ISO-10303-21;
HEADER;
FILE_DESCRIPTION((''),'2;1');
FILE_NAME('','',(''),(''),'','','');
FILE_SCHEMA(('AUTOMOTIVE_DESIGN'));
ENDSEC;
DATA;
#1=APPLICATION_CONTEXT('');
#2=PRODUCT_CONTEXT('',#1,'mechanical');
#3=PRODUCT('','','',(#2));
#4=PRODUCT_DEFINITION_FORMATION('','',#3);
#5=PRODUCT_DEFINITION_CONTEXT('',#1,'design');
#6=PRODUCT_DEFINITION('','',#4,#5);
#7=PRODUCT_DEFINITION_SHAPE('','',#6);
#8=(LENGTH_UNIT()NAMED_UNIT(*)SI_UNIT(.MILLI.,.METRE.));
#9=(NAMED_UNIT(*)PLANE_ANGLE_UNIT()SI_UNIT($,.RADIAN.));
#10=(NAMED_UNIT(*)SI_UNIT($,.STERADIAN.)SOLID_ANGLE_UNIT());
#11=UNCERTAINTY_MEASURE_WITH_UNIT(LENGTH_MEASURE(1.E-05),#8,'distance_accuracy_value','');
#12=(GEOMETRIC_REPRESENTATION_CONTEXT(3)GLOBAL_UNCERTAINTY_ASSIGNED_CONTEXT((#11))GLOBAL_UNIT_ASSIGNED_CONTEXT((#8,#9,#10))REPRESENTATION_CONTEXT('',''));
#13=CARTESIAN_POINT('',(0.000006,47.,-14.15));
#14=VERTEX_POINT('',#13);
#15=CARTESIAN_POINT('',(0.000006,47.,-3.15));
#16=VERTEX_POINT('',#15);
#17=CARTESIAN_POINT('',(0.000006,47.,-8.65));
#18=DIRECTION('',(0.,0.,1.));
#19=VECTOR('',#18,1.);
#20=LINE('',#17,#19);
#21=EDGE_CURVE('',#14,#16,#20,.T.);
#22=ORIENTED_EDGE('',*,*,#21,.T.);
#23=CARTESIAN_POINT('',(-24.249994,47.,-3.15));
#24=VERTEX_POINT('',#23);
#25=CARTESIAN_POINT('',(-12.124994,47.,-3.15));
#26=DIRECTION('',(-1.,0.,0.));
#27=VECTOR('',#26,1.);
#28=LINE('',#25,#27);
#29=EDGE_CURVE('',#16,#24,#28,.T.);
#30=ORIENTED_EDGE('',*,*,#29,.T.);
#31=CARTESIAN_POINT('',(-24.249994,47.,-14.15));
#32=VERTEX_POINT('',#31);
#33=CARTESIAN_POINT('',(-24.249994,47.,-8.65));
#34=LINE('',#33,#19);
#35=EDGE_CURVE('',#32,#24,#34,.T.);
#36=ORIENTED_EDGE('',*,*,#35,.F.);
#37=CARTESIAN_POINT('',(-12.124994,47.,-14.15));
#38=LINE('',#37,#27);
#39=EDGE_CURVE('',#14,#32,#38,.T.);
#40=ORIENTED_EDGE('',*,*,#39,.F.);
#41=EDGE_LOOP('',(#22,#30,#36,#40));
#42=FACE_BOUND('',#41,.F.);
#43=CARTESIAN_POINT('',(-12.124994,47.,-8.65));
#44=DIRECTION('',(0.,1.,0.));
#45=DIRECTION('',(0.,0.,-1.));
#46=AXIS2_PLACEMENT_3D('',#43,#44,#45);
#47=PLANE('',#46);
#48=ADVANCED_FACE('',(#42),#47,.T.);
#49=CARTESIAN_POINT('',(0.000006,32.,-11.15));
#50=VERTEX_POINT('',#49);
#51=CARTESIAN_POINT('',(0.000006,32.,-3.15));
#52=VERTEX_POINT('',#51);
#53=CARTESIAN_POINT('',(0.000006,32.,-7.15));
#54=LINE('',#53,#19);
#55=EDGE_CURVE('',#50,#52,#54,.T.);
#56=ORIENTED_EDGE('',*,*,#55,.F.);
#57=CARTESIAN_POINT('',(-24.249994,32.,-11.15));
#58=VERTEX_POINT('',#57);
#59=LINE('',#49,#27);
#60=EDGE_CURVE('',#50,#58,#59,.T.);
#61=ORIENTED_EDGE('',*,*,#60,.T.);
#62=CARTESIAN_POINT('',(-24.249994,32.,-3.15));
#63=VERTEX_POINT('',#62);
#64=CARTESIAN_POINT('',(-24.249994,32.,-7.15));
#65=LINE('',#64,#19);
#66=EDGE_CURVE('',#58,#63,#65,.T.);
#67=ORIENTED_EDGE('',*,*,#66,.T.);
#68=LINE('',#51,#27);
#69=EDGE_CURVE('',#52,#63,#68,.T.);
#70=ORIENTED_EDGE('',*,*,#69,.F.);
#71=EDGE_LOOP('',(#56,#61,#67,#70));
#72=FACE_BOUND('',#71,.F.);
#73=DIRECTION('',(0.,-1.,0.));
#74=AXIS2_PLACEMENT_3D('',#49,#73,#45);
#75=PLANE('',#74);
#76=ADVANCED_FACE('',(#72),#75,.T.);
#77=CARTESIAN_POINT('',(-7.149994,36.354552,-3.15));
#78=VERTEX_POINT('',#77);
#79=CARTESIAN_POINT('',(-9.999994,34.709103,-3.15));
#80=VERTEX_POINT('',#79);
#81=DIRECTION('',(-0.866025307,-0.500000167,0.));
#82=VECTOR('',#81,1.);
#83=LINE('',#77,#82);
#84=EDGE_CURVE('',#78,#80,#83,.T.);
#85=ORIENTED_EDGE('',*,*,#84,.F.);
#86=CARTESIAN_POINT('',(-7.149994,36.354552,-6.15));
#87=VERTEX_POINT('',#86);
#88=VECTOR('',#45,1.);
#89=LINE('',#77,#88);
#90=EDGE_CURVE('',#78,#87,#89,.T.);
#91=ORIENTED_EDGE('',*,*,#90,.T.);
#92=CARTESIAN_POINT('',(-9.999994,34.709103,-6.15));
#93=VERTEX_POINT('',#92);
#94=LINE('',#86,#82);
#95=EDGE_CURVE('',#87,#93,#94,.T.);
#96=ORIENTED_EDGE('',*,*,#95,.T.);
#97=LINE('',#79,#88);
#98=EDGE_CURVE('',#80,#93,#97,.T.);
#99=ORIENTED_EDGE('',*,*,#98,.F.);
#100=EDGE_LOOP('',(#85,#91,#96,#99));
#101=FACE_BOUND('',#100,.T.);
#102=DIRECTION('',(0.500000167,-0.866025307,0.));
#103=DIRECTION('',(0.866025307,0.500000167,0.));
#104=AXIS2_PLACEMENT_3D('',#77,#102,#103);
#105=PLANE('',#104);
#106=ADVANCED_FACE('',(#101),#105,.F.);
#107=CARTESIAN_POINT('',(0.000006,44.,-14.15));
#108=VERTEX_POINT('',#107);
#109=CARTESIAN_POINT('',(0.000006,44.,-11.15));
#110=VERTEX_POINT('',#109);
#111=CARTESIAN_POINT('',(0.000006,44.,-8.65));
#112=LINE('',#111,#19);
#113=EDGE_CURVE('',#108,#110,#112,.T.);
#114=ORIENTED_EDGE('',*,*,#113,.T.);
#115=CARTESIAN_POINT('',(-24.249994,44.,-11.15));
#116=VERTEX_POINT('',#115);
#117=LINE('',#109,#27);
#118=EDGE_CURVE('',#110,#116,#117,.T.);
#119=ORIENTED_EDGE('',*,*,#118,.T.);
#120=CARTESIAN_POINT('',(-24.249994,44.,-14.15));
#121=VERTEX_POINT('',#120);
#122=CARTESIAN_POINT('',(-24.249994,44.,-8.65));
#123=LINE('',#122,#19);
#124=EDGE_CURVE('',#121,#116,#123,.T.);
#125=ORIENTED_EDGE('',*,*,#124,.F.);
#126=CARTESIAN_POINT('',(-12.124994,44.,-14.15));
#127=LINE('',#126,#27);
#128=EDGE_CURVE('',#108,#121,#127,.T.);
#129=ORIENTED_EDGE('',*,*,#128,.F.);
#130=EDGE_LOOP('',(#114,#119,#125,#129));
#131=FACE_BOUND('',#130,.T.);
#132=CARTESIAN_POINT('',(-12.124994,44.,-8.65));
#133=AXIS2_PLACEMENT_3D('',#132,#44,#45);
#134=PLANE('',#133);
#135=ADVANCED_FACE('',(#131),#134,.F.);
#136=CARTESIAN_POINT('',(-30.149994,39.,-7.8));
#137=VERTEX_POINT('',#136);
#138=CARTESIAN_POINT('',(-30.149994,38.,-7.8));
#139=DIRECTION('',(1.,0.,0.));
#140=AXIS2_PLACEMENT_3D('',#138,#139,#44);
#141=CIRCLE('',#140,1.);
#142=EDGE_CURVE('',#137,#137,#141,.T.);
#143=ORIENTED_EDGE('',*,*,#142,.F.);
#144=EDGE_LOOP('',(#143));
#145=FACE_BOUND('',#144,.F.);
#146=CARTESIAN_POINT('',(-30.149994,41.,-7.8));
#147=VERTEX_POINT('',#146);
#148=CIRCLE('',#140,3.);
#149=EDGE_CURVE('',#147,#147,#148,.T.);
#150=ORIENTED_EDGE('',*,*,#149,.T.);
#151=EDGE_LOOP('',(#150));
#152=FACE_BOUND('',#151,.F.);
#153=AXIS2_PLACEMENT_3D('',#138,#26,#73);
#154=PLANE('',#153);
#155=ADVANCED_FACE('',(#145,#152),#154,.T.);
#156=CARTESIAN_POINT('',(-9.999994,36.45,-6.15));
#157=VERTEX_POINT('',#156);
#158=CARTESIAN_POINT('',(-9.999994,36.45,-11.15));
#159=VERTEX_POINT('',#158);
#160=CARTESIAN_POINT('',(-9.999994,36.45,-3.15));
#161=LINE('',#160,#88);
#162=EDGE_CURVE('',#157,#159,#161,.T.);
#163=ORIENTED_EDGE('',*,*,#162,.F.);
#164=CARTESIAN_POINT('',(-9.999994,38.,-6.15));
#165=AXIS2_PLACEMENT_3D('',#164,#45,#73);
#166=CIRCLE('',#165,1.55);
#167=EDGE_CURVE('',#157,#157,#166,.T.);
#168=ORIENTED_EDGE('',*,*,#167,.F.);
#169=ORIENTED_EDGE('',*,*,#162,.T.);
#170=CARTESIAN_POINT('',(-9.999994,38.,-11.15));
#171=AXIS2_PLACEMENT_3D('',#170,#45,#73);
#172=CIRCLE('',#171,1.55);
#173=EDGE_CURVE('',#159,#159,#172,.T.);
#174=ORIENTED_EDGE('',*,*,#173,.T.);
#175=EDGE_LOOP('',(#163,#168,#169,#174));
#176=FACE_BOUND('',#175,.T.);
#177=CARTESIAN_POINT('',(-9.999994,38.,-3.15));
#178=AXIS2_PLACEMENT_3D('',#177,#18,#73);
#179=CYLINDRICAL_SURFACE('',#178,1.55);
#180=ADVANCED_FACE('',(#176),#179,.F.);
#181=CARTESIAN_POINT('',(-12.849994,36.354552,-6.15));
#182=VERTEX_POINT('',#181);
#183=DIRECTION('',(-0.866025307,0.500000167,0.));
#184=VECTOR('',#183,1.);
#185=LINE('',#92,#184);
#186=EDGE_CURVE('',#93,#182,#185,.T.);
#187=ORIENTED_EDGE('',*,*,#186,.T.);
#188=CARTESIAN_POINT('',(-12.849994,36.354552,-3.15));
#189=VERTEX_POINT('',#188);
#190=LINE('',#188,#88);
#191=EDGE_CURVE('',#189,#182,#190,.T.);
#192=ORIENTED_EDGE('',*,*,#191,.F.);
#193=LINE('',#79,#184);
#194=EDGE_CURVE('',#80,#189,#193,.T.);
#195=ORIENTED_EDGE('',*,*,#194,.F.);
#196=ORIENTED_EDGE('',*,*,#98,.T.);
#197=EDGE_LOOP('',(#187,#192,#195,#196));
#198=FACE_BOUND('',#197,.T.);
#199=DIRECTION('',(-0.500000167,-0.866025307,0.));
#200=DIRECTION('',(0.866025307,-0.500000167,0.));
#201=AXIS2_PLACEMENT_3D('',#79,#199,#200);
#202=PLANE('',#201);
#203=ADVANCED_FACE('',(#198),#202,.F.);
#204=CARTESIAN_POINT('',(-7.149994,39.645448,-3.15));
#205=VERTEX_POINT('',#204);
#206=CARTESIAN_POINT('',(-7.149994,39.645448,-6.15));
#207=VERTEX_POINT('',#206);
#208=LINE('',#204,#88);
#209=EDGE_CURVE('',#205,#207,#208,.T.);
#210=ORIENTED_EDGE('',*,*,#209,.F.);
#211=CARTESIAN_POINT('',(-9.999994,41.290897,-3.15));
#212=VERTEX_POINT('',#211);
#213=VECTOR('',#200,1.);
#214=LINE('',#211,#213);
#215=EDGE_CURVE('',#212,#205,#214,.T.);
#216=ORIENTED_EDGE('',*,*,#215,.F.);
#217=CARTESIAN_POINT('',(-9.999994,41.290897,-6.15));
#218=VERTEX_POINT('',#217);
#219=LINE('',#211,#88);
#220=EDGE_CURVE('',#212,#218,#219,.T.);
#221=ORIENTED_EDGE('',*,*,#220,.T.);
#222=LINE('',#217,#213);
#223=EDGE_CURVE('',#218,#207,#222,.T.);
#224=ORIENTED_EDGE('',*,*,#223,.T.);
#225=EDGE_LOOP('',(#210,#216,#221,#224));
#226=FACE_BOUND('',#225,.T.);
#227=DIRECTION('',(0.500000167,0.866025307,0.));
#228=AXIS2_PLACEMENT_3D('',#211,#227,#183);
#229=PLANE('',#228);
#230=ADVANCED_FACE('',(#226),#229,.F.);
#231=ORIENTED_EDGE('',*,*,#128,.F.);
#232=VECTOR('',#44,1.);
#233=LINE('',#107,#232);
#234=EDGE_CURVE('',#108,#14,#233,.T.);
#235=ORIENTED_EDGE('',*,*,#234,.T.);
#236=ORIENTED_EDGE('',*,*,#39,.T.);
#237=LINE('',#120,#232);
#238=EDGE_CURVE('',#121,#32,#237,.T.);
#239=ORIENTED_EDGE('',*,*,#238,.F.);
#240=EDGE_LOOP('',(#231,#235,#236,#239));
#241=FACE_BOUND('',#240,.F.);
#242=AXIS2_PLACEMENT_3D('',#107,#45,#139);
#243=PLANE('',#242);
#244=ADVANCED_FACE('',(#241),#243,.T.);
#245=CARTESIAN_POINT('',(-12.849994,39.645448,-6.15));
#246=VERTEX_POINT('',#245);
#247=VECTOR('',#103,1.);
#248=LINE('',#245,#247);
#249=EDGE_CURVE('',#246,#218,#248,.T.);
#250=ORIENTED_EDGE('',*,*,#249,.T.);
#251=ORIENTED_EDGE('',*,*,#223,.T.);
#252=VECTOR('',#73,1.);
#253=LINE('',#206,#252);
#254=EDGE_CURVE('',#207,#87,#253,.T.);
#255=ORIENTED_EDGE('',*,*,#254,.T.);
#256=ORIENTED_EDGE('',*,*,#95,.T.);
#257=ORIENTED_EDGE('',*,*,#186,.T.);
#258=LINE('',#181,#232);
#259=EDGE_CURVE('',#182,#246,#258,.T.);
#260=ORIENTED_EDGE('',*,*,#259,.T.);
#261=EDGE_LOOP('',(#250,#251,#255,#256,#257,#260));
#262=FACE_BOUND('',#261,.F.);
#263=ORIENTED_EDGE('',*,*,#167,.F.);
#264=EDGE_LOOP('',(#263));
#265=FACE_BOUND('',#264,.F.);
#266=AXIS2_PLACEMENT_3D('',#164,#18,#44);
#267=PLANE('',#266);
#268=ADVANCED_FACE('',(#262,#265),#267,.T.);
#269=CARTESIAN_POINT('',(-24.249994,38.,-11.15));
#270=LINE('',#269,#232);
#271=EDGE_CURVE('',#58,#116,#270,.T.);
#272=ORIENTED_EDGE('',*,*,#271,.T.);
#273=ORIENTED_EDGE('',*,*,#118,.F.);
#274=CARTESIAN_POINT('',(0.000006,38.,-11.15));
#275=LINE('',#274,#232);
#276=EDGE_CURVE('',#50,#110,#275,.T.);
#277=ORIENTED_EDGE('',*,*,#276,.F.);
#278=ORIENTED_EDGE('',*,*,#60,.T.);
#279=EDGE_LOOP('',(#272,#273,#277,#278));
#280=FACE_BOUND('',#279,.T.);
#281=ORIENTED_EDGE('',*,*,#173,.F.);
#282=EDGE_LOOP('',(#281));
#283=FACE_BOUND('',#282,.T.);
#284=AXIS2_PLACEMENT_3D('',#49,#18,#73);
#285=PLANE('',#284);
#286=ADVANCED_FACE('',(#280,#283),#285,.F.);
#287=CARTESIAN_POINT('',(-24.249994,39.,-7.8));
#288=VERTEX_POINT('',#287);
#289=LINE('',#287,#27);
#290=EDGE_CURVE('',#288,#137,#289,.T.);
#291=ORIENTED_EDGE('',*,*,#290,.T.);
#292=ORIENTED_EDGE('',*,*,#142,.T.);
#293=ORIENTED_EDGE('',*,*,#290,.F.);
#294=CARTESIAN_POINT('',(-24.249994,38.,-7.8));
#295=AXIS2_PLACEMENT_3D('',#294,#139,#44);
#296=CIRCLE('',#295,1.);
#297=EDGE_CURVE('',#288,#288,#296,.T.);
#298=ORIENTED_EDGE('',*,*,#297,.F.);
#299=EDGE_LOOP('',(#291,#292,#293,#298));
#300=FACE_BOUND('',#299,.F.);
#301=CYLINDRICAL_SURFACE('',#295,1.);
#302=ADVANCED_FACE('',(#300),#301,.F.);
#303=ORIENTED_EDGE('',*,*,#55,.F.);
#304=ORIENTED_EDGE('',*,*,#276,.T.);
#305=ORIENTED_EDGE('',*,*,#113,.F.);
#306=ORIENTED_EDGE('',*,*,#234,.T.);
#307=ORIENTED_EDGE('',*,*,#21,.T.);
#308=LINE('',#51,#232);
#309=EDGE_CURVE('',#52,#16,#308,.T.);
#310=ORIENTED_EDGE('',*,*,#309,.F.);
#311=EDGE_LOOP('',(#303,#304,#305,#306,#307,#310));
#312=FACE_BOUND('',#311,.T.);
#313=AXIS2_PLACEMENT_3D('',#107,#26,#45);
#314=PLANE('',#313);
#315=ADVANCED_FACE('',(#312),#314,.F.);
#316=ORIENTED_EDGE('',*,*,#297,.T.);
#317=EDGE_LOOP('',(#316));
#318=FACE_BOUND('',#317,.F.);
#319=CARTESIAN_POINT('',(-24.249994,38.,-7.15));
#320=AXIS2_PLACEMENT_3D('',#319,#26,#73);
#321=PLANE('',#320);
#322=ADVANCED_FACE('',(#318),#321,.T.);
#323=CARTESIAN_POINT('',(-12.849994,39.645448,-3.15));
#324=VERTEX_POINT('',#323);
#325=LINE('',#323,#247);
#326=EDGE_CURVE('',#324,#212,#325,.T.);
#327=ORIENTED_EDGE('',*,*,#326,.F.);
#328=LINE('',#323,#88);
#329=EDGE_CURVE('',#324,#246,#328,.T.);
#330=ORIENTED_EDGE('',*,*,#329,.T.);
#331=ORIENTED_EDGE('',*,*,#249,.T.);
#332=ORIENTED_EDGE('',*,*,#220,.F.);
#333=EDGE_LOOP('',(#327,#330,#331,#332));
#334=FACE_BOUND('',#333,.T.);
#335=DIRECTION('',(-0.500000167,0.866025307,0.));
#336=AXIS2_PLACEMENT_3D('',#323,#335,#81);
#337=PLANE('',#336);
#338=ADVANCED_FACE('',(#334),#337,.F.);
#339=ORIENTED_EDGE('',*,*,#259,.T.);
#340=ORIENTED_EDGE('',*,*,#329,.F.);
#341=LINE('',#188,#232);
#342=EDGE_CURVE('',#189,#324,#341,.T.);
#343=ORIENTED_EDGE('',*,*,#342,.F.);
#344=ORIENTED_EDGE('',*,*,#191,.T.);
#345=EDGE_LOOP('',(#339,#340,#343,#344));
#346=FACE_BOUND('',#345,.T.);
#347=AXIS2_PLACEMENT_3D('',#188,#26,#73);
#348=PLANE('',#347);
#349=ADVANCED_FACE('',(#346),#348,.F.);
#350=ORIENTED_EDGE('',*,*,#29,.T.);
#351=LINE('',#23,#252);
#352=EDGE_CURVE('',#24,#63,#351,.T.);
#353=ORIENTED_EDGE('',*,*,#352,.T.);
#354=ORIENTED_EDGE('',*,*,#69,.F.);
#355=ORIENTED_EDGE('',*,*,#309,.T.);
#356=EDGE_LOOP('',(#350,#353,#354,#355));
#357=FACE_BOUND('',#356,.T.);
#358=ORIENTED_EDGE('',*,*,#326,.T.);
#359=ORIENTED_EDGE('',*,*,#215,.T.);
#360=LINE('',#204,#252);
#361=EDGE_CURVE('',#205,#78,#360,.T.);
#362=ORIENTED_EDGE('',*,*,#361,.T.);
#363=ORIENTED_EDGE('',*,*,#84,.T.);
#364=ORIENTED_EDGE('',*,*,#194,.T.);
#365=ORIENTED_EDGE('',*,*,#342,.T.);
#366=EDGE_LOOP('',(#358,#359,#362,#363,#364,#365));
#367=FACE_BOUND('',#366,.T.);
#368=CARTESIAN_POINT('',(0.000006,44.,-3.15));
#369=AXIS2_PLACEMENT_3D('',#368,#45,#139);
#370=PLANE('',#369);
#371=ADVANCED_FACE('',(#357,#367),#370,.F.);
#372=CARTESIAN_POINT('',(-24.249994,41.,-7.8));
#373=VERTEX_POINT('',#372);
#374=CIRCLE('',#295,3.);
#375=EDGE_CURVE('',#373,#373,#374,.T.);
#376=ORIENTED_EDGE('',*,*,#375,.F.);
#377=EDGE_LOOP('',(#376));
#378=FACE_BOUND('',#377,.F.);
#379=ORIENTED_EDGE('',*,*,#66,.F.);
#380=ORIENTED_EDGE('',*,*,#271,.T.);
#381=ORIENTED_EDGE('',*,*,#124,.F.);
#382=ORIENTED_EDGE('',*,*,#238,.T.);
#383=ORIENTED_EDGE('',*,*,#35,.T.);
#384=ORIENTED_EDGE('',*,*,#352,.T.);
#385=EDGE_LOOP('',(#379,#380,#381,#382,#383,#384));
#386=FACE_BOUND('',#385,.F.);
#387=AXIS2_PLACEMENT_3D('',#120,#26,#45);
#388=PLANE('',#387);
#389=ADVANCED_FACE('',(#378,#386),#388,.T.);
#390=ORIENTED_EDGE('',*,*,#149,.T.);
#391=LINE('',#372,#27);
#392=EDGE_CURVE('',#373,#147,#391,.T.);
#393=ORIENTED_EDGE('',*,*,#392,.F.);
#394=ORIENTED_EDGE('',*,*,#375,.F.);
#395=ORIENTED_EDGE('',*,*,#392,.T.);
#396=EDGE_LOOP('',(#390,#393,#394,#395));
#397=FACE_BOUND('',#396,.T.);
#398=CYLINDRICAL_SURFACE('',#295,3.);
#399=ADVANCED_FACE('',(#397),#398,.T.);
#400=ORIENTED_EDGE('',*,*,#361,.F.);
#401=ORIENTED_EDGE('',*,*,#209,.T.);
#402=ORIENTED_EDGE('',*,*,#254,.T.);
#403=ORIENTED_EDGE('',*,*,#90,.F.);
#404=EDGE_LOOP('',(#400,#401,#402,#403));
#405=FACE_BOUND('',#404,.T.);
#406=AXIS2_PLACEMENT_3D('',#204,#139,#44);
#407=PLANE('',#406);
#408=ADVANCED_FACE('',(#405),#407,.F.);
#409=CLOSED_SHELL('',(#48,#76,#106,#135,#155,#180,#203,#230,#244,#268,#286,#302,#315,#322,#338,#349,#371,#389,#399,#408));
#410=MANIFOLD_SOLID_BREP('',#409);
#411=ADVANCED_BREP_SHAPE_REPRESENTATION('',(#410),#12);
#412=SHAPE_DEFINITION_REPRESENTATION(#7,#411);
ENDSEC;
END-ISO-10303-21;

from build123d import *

# Parameters (mm, degrees)
SKETCH068_W     = 12
SKETCH068_H     = 8
PAD060_DEPTH    = 24.25
SKETCH069_R     = 3
SKETCH069_R_2   = 1
PAD061_DEPTH    = 5.9
SKETCH071_R     = 1.55
POCKET_DEPTH    = 8.001
POCKET001_DEPTH = 3
SKETCH072_W     = 11
SKETCH072_H     = 24.25
PAD062_DEPTH    = 3


with BuildPart() as front_axle_right:
    # Sketch068 → Pad060 (new body)
    with BuildSketch(Plane.YZ):
        with Locations((38, -7.15)):
            Rectangle(SKETCH068_W, SKETCH068_H)
    extrude(amount=PAD060_DEPTH)

    # Sketch069 (on Face6 of Pad060) → Pad061 (join)
    with BuildSketch(Plane.YZ.offset(24.25)):
        with Locations((38, -7.8)):
            Circle(SKETCH069_R)
        with Locations((38, -7.8)):
            Circle(SKETCH069_R_2, mode=Mode.SUBTRACT)
    extrude(amount=PAD061_DEPTH)

    # Sketch071 (on Face1 of Pad061) → Pocket (cut, through all)
    with BuildSketch(Plane(origin=(0, 0, -3.15), x_dir=(0, -1, 0), z_dir=(0, 0, 1))):
        with Locations((-38, 10)):
            Circle(SKETCH071_R)
    extrude(amount=-POCKET_DEPTH, mode=Mode.SUBTRACT)

    # Sketch070 (on Face1 of Pocket) → Pocket001 (cut)
    with BuildSketch(Plane(origin=(0, 0, -3.15), x_dir=(0, -1, 0), z_dir=(0, 0, 1))):
        Polygon((-34.709103, 10), (-36.354552, 12.85), (-39.645448, 12.85), (-41.290897, 10), (-39.645448, 7.15), (-36.354552, 7.15), align=None)
    extrude(amount=-POCKET001_DEPTH, mode=Mode.SUBTRACT)

    # Sketch072 (on Face5 of Pocket001) → Pad062 (join)
    with BuildSketch(Plane.ZX.offset(44)):
        with Locations((-8.65, 12.125)):
            Rectangle(SKETCH072_W, SKETCH072_H)
    extrude(amount=PAD062_DEPTH)


with BuildPart() as front_axle_right_mirrored:
    # Mirror: instance of front_axle_right
    add(front_axle_right.part.mirror(Plane(origin=(3e-06, 39.5, -8.649999), x_dir=(0, -1, 0), z_dir=(1, 0, 0))))


solid = front_axle_right_mirrored.part
